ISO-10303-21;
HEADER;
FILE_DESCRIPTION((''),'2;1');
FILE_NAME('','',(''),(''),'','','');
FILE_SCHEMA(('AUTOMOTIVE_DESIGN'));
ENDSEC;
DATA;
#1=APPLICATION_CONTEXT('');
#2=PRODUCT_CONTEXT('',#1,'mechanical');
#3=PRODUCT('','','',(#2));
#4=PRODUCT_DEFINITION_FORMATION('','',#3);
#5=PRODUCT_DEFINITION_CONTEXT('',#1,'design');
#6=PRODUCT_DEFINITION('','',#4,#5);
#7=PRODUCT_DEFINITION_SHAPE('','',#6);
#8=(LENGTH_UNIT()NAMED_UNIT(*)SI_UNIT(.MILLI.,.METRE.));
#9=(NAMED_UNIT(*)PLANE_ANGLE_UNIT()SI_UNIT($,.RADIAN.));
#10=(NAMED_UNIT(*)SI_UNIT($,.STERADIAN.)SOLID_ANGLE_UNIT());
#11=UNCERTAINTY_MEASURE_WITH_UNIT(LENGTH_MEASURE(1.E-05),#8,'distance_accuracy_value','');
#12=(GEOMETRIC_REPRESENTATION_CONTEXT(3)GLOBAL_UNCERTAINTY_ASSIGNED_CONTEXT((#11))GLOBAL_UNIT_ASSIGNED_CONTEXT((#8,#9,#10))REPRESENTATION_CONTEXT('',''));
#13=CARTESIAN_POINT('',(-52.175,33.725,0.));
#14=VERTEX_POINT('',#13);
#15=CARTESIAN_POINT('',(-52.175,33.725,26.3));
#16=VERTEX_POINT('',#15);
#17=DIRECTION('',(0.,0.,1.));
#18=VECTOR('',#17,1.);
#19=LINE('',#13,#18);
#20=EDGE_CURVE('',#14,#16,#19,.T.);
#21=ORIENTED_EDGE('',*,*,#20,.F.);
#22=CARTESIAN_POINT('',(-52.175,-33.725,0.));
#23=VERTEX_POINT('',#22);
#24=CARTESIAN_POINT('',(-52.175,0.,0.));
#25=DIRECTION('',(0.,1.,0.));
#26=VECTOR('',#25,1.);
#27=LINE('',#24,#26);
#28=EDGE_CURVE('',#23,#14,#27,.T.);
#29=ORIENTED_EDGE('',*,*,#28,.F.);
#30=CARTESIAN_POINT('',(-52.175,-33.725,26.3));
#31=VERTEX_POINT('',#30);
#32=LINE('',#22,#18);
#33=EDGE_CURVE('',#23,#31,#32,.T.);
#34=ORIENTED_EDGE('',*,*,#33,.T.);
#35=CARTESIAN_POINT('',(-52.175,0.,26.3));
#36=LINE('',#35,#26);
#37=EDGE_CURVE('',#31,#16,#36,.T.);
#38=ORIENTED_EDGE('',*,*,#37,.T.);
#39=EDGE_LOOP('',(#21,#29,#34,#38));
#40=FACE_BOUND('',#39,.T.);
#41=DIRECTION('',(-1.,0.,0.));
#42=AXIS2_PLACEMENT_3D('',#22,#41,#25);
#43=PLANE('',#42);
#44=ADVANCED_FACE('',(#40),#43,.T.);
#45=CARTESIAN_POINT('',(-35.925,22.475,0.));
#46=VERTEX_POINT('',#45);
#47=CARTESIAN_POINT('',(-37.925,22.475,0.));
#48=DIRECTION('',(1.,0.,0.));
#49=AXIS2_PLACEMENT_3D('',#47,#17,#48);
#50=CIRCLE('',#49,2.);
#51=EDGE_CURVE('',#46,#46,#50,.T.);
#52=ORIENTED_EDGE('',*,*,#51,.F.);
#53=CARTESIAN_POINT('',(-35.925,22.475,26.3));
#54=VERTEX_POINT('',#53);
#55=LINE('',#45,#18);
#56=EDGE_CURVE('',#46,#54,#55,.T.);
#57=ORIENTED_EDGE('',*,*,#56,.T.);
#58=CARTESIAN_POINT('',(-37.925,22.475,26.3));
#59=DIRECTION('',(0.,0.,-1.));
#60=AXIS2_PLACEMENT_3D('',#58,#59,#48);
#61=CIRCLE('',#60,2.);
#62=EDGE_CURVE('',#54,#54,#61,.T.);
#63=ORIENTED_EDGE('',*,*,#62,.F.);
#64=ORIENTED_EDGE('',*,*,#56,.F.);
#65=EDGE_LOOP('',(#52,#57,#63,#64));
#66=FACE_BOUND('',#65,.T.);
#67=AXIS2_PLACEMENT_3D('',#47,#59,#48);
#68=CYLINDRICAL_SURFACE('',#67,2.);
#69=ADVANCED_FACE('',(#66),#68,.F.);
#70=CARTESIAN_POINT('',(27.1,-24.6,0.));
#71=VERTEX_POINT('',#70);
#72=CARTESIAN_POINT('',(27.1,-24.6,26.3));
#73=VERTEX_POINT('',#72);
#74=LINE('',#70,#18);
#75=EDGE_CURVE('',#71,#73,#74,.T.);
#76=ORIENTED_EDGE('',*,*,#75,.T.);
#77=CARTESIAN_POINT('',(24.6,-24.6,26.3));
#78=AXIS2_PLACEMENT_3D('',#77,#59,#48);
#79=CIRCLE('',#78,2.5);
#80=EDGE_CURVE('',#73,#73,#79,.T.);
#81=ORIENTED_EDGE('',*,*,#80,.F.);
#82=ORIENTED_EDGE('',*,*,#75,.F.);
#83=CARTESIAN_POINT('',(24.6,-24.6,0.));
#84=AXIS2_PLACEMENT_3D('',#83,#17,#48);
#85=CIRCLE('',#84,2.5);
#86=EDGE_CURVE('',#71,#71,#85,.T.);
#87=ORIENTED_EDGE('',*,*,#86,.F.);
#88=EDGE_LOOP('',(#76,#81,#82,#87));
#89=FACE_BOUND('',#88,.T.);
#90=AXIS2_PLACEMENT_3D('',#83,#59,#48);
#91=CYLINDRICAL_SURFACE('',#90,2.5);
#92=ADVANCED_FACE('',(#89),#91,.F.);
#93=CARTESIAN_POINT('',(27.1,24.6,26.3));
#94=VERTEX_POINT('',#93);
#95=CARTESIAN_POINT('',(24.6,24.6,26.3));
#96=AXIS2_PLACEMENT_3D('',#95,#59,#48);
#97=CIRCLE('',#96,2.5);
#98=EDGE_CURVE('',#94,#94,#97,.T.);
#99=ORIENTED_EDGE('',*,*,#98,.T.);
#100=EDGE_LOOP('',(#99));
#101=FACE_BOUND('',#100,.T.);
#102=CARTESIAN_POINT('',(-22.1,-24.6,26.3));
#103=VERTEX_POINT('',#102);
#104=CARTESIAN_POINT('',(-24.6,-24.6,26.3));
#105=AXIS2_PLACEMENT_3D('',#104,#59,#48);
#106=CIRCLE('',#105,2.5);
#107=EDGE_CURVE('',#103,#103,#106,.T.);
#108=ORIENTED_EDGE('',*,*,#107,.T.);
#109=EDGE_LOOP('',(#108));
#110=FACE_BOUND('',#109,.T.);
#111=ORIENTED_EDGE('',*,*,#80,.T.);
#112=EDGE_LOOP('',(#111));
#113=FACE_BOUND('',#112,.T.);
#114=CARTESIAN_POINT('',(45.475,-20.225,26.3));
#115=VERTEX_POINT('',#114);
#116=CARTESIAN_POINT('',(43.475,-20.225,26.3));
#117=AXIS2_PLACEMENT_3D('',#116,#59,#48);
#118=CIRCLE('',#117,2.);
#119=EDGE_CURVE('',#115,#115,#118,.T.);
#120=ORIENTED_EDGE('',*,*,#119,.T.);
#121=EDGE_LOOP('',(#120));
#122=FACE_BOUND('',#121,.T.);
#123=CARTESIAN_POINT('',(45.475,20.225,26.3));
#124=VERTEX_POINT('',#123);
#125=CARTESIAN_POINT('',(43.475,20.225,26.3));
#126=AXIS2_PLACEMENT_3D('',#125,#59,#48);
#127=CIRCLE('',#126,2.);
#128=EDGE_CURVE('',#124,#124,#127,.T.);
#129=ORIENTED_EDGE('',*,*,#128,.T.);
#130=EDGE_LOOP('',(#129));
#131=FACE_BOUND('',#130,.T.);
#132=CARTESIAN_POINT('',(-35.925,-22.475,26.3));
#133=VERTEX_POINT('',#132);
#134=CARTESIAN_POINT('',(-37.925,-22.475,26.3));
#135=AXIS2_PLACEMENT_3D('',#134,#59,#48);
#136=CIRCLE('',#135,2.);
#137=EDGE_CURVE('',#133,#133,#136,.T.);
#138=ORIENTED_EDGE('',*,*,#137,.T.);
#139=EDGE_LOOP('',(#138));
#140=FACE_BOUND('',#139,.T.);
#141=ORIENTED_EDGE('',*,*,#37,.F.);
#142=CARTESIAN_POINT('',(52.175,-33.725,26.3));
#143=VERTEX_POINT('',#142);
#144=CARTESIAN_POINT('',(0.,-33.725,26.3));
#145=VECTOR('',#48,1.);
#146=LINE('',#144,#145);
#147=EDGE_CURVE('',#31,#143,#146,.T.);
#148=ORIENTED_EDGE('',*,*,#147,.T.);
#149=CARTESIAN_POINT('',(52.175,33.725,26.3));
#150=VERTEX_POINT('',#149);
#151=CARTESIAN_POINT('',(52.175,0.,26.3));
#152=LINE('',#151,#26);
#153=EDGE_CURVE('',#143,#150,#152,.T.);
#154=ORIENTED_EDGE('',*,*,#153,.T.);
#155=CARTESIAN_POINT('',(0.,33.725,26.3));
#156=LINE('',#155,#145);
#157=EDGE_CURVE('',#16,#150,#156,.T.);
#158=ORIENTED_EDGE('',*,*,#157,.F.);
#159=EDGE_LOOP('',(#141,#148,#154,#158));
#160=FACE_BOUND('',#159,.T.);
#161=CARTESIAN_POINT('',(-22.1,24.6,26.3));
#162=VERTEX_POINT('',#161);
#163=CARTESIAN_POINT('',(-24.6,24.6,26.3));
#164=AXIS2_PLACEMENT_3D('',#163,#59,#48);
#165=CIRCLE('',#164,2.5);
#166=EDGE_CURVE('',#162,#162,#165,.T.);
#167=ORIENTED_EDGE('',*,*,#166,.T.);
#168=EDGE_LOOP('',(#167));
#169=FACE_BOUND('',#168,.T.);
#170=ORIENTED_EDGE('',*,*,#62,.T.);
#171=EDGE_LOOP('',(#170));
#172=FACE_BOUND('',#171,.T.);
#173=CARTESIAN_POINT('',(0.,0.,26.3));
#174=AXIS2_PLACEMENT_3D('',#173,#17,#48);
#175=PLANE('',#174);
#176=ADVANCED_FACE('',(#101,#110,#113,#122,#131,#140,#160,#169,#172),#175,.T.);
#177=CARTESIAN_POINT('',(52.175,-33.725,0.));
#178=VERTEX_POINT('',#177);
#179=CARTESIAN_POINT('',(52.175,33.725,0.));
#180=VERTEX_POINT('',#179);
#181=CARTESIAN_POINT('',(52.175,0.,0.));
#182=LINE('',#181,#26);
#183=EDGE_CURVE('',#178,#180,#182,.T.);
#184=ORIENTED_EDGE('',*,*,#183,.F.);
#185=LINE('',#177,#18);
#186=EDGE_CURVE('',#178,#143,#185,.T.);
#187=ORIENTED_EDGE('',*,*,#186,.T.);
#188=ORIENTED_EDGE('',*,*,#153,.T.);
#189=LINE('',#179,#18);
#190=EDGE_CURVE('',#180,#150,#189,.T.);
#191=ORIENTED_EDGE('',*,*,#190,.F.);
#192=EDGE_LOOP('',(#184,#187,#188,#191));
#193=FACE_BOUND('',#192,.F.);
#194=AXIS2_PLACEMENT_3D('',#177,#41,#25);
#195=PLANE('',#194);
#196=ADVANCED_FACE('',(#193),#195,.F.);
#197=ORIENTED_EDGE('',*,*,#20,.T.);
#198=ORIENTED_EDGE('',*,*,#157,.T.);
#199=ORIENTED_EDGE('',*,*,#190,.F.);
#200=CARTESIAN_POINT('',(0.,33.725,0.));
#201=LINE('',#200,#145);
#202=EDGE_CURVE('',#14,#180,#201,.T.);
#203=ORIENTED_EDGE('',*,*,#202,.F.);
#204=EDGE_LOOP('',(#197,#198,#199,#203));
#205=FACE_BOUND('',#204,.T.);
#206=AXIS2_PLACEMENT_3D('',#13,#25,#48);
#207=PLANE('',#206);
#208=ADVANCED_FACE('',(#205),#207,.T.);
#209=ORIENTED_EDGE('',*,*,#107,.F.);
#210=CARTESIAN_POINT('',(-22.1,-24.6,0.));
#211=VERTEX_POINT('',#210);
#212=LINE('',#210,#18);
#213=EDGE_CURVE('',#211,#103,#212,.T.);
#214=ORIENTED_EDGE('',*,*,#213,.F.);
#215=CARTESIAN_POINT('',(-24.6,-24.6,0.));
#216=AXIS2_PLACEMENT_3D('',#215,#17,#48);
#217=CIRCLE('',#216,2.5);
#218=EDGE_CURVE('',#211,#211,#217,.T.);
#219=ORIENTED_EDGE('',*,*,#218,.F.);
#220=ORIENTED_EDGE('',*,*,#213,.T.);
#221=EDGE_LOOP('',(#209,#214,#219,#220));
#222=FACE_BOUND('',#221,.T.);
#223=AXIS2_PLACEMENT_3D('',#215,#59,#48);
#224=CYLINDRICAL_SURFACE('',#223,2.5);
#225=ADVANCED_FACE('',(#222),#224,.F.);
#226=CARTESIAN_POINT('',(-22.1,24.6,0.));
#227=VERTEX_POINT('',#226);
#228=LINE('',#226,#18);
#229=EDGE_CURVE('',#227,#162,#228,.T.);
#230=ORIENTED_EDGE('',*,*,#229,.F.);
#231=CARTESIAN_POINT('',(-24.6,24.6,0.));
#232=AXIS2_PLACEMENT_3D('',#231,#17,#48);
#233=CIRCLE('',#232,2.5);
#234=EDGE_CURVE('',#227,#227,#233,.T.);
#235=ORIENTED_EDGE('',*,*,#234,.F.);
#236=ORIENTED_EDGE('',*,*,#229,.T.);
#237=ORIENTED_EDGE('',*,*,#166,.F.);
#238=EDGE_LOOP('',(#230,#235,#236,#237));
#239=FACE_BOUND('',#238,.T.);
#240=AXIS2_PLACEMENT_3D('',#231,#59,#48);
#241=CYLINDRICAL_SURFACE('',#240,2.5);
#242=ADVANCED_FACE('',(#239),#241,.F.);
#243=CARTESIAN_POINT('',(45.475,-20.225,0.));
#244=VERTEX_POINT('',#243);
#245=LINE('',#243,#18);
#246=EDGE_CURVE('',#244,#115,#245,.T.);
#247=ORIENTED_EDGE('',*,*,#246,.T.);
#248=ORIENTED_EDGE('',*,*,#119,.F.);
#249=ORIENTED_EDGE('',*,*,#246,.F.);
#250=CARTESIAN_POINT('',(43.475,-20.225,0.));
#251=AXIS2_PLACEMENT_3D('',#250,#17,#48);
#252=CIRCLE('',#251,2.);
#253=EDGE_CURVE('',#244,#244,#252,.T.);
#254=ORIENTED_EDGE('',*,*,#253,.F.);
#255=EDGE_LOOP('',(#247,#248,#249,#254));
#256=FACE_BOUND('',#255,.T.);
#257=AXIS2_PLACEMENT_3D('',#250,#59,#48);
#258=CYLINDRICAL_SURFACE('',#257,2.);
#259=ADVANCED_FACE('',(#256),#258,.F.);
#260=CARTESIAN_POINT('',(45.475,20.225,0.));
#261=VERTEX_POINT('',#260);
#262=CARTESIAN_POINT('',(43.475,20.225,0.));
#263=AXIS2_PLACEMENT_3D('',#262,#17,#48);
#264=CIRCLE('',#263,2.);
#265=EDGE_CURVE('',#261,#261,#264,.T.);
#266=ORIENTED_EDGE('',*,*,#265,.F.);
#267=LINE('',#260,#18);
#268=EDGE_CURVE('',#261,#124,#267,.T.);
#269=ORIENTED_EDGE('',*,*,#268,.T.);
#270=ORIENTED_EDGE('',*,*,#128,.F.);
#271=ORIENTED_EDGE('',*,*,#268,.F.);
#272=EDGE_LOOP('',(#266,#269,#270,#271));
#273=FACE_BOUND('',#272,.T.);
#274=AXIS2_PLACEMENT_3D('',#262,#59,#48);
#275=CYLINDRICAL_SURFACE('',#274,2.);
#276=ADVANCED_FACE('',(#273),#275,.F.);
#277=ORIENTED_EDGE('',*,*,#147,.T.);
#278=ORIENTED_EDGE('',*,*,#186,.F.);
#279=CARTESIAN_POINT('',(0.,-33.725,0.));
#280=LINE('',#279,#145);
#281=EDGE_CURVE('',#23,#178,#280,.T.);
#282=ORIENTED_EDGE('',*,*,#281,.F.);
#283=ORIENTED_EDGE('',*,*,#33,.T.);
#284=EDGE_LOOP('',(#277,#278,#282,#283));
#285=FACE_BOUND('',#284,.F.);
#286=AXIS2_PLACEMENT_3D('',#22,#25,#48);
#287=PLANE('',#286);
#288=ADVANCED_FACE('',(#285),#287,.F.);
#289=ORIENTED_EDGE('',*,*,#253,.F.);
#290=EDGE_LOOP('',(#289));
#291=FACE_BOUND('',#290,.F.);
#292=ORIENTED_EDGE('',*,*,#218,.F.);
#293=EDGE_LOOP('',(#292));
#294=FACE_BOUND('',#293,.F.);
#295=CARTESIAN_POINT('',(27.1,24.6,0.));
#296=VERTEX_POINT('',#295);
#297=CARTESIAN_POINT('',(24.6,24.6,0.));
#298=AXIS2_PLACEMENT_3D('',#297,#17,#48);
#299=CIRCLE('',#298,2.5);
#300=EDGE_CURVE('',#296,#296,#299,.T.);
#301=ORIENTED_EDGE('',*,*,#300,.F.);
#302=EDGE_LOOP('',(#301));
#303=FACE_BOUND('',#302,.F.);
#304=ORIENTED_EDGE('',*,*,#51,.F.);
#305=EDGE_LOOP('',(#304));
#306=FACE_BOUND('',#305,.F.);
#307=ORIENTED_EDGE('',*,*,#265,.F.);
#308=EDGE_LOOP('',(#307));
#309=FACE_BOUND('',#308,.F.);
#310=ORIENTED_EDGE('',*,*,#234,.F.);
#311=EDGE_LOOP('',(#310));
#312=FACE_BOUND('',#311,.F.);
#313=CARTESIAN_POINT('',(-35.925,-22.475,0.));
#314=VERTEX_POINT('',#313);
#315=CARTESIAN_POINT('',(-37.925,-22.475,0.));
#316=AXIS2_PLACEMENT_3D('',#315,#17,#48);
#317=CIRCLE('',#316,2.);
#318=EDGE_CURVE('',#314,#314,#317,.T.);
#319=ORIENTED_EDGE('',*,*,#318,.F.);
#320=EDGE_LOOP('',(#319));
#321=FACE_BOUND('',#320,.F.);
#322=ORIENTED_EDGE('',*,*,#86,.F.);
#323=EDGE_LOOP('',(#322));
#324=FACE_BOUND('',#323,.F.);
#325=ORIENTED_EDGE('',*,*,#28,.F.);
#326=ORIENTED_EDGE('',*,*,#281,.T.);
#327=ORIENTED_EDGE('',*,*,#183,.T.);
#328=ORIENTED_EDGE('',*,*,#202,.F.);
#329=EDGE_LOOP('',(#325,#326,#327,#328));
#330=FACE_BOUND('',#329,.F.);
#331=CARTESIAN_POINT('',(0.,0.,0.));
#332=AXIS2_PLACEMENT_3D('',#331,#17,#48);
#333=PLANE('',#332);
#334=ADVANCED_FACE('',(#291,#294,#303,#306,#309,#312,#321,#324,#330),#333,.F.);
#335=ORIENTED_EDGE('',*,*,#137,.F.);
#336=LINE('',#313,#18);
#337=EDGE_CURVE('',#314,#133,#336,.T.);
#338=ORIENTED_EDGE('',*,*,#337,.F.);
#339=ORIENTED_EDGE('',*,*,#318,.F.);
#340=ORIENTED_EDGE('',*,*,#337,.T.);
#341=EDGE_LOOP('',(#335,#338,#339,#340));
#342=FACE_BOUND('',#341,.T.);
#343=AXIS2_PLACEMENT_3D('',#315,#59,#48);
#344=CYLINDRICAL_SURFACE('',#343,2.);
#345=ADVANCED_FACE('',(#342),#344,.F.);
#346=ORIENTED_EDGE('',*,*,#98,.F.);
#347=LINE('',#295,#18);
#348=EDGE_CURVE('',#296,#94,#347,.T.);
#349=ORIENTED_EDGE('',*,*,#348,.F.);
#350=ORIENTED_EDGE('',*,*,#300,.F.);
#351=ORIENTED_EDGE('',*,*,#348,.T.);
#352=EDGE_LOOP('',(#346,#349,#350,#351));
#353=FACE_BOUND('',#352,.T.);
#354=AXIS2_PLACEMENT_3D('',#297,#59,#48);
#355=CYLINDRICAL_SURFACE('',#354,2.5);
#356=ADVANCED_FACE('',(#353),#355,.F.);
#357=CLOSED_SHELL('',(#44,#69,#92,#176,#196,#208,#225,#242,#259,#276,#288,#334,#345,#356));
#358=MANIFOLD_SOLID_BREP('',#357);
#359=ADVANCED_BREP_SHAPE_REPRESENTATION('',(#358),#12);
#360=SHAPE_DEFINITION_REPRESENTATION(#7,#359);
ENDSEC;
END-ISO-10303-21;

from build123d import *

# Parameters (mm, degrees)
F0_W     = 104.35
F0_H     = 67.45
F1_DEPTH = 26.3
F2_R     = 2.5
F3_DEPTH = 26.301
F4_R     = 2
F5_DEPTH = 70.6


with BuildPart() as f1:
    # F0 (on Top) → F1 (new body)
    with BuildSketch(Plane.XY):
        Rectangle(F0_W, F0_H)
    extrude(amount=F1_DEPTH)

    # F2 (on Top) → F3 (cut, through all)
    with BuildSketch(Plane.XY):
        with Locations((-24.6, 24.6)):
            Circle(F2_R)
        with Locations((-24.6, -24.6)):
            Circle(F2_R)
        with Locations((24.6, -24.6)):
            Circle(F2_R)
        with Locations((24.6, 24.6)):
            Circle(F2_R)
    extrude(amount=F3_DEPTH, mode=Mode.SUBTRACT)

    # F4 (on Top) → F5 (cut)
    with BuildSketch(Plane.XY):
        with Locations((43.475, 20.225)):
            Circle(F4_R)
        with Locations((43.475, -20.225)):
            Circle(F4_R)
        with Locations((-37.925, 22.475)):
            Circle(F4_R)
        with Locations((-37.925, -22.475)):
            Circle(F4_R)
    extrude(amount=F5_DEPTH, mode=Mode.SUBTRACT)


solid = f1.part
